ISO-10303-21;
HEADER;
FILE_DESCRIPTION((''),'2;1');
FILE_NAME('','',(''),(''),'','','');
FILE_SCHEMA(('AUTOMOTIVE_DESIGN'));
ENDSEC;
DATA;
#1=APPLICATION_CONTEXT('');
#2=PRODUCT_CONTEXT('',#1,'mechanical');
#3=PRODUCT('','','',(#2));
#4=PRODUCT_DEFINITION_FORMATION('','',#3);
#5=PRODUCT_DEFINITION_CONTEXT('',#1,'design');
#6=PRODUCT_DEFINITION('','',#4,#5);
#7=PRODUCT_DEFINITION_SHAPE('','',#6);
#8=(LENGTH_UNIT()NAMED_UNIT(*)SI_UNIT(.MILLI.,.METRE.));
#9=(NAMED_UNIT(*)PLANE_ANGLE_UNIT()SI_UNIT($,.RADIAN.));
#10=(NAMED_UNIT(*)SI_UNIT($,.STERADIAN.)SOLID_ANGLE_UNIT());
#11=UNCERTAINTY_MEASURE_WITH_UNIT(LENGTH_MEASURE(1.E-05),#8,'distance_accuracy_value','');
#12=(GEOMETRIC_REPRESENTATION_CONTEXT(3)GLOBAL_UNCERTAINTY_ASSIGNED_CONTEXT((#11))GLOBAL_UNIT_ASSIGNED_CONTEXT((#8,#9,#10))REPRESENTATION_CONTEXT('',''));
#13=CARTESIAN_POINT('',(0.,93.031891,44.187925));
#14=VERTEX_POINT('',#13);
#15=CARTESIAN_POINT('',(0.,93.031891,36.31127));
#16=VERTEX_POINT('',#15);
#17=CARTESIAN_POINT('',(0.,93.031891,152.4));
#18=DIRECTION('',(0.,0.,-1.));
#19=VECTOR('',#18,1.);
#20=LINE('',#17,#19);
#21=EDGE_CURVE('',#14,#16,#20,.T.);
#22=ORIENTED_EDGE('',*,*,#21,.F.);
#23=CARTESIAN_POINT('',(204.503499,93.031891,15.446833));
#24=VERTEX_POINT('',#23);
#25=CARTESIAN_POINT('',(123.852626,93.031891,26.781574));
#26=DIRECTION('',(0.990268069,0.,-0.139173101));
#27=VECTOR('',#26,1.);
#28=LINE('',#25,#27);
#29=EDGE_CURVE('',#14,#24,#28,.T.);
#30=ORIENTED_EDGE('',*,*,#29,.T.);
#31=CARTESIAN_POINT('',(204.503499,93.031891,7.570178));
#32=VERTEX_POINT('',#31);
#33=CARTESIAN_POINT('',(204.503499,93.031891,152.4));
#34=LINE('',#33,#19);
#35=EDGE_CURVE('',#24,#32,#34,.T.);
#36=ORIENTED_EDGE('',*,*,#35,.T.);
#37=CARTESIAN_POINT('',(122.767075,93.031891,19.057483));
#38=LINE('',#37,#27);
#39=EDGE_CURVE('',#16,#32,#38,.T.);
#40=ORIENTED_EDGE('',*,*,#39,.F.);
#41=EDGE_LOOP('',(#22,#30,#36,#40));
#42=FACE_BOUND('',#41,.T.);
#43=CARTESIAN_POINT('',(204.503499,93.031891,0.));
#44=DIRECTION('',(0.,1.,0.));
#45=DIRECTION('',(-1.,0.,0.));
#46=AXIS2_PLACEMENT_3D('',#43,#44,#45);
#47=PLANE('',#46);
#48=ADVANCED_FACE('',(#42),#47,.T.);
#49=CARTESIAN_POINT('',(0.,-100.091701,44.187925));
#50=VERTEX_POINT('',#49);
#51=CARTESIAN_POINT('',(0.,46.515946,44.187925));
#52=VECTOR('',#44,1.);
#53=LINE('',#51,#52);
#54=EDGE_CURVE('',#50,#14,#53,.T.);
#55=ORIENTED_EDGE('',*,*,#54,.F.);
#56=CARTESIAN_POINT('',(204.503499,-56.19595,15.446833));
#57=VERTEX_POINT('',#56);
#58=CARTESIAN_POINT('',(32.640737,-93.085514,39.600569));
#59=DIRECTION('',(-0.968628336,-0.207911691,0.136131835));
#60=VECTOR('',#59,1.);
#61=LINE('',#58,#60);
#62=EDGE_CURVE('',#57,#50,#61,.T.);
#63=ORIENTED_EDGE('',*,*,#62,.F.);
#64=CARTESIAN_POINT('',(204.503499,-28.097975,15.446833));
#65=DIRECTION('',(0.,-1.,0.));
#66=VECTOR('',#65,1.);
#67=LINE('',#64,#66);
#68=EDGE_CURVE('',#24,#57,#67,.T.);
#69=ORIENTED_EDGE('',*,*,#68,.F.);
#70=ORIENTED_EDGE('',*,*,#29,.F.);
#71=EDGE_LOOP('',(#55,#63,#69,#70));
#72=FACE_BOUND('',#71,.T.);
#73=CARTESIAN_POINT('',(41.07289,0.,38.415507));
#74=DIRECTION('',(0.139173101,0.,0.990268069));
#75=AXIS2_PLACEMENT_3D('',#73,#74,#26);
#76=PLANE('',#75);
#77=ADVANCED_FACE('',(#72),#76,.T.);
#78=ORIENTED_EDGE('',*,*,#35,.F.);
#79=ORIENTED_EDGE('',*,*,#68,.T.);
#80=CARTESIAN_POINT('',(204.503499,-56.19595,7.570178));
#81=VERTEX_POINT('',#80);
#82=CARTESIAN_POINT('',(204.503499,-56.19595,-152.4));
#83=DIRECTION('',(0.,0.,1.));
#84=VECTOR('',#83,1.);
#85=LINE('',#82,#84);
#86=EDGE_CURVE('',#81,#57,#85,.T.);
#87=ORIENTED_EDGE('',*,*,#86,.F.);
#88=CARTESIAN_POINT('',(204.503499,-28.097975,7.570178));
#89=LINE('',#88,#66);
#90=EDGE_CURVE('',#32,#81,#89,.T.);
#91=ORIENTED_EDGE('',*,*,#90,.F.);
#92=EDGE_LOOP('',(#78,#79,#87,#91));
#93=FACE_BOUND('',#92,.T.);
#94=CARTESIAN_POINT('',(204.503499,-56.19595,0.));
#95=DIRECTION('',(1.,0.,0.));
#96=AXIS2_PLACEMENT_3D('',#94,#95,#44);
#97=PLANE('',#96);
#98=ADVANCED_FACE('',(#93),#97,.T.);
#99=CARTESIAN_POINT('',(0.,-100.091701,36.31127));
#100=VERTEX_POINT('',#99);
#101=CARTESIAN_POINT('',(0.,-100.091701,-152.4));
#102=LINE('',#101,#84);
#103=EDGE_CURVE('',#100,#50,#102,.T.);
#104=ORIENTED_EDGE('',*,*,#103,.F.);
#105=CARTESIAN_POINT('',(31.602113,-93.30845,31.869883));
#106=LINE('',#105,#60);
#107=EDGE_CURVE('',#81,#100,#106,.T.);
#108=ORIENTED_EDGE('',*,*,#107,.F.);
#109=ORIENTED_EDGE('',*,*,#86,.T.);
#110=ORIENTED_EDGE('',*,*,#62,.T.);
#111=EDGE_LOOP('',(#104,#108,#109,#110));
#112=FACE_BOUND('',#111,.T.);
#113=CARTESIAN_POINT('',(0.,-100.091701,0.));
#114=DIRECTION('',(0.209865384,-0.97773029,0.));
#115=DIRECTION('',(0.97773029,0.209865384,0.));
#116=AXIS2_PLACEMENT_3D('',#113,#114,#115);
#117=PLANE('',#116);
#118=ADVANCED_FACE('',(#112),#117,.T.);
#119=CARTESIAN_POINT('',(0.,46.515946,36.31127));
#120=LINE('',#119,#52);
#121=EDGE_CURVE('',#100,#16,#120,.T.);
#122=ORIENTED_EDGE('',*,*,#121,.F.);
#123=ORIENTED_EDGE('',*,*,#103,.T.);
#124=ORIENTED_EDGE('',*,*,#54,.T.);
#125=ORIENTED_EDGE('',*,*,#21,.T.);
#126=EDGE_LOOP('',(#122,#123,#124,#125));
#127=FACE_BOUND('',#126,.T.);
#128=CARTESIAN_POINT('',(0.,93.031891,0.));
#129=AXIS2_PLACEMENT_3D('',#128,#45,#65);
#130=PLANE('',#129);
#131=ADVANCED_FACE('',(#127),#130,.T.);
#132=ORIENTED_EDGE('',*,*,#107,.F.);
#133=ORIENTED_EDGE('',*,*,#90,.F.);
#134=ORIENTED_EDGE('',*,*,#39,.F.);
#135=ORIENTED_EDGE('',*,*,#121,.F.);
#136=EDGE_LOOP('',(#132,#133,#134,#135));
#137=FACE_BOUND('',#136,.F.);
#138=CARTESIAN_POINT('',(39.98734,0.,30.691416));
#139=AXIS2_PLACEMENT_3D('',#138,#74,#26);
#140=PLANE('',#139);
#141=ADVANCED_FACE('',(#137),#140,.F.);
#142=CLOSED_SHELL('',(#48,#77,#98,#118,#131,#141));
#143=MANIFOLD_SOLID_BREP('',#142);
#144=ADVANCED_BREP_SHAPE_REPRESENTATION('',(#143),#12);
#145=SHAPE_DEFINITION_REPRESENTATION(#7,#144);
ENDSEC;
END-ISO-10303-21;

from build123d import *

# Parameters (mm, degrees)
SKETCH006_AS_DRAWN_W                      = 457.2
SKETCH006_AS_DRAWN_H                      = 304.8
EXTRUDE005_DEPTH                          = 7.8
EXTRUDE005_ONTO_SKETCH006_PLACEMENT_ANGLE = 8
EXTRUDE004_DEPTH                          = 152.4


with BuildPart() as hole_depth:
    # Sketch006 as drawn → Extrude005 (new)
    with BuildSketch(Plane.XY):
        Rectangle(SKETCH006_AS_DRAWN_W, SKETCH006_AS_DRAWN_H)
    extrude(amount=-EXTRUDE005_DEPTH)


with BuildPart() as hole_depth_1:
    # Extrude005 onto Sketch006 placement: moved
    add(hole_depth.part.moved(Location((41.07289, 0, 38.415507))).rotate(Axis((41.07289, 0, 38.415507), (0, 1, 0)), EXTRUDE005_ONTO_SKETCH006_PLACEMENT_ANGLE))


with BuildPart() as shallow_hole_volume:
    # Sketch005 → Extrude004 (new body, symmetric)
    with BuildSketch(Plane.XY):
        Polygon((0, 93.031891), (0, -100.091701), (204.503499, -56.19595), (204.503499, 93.031891), align=None)
    extrude(amount=EXTRUDE004_DEPTH, both=True)

    # Common: intersect Hole Depth
    add(hole_depth_1.part, mode=Mode.INTERSECT)


solid = shallow_hole_volume.part
